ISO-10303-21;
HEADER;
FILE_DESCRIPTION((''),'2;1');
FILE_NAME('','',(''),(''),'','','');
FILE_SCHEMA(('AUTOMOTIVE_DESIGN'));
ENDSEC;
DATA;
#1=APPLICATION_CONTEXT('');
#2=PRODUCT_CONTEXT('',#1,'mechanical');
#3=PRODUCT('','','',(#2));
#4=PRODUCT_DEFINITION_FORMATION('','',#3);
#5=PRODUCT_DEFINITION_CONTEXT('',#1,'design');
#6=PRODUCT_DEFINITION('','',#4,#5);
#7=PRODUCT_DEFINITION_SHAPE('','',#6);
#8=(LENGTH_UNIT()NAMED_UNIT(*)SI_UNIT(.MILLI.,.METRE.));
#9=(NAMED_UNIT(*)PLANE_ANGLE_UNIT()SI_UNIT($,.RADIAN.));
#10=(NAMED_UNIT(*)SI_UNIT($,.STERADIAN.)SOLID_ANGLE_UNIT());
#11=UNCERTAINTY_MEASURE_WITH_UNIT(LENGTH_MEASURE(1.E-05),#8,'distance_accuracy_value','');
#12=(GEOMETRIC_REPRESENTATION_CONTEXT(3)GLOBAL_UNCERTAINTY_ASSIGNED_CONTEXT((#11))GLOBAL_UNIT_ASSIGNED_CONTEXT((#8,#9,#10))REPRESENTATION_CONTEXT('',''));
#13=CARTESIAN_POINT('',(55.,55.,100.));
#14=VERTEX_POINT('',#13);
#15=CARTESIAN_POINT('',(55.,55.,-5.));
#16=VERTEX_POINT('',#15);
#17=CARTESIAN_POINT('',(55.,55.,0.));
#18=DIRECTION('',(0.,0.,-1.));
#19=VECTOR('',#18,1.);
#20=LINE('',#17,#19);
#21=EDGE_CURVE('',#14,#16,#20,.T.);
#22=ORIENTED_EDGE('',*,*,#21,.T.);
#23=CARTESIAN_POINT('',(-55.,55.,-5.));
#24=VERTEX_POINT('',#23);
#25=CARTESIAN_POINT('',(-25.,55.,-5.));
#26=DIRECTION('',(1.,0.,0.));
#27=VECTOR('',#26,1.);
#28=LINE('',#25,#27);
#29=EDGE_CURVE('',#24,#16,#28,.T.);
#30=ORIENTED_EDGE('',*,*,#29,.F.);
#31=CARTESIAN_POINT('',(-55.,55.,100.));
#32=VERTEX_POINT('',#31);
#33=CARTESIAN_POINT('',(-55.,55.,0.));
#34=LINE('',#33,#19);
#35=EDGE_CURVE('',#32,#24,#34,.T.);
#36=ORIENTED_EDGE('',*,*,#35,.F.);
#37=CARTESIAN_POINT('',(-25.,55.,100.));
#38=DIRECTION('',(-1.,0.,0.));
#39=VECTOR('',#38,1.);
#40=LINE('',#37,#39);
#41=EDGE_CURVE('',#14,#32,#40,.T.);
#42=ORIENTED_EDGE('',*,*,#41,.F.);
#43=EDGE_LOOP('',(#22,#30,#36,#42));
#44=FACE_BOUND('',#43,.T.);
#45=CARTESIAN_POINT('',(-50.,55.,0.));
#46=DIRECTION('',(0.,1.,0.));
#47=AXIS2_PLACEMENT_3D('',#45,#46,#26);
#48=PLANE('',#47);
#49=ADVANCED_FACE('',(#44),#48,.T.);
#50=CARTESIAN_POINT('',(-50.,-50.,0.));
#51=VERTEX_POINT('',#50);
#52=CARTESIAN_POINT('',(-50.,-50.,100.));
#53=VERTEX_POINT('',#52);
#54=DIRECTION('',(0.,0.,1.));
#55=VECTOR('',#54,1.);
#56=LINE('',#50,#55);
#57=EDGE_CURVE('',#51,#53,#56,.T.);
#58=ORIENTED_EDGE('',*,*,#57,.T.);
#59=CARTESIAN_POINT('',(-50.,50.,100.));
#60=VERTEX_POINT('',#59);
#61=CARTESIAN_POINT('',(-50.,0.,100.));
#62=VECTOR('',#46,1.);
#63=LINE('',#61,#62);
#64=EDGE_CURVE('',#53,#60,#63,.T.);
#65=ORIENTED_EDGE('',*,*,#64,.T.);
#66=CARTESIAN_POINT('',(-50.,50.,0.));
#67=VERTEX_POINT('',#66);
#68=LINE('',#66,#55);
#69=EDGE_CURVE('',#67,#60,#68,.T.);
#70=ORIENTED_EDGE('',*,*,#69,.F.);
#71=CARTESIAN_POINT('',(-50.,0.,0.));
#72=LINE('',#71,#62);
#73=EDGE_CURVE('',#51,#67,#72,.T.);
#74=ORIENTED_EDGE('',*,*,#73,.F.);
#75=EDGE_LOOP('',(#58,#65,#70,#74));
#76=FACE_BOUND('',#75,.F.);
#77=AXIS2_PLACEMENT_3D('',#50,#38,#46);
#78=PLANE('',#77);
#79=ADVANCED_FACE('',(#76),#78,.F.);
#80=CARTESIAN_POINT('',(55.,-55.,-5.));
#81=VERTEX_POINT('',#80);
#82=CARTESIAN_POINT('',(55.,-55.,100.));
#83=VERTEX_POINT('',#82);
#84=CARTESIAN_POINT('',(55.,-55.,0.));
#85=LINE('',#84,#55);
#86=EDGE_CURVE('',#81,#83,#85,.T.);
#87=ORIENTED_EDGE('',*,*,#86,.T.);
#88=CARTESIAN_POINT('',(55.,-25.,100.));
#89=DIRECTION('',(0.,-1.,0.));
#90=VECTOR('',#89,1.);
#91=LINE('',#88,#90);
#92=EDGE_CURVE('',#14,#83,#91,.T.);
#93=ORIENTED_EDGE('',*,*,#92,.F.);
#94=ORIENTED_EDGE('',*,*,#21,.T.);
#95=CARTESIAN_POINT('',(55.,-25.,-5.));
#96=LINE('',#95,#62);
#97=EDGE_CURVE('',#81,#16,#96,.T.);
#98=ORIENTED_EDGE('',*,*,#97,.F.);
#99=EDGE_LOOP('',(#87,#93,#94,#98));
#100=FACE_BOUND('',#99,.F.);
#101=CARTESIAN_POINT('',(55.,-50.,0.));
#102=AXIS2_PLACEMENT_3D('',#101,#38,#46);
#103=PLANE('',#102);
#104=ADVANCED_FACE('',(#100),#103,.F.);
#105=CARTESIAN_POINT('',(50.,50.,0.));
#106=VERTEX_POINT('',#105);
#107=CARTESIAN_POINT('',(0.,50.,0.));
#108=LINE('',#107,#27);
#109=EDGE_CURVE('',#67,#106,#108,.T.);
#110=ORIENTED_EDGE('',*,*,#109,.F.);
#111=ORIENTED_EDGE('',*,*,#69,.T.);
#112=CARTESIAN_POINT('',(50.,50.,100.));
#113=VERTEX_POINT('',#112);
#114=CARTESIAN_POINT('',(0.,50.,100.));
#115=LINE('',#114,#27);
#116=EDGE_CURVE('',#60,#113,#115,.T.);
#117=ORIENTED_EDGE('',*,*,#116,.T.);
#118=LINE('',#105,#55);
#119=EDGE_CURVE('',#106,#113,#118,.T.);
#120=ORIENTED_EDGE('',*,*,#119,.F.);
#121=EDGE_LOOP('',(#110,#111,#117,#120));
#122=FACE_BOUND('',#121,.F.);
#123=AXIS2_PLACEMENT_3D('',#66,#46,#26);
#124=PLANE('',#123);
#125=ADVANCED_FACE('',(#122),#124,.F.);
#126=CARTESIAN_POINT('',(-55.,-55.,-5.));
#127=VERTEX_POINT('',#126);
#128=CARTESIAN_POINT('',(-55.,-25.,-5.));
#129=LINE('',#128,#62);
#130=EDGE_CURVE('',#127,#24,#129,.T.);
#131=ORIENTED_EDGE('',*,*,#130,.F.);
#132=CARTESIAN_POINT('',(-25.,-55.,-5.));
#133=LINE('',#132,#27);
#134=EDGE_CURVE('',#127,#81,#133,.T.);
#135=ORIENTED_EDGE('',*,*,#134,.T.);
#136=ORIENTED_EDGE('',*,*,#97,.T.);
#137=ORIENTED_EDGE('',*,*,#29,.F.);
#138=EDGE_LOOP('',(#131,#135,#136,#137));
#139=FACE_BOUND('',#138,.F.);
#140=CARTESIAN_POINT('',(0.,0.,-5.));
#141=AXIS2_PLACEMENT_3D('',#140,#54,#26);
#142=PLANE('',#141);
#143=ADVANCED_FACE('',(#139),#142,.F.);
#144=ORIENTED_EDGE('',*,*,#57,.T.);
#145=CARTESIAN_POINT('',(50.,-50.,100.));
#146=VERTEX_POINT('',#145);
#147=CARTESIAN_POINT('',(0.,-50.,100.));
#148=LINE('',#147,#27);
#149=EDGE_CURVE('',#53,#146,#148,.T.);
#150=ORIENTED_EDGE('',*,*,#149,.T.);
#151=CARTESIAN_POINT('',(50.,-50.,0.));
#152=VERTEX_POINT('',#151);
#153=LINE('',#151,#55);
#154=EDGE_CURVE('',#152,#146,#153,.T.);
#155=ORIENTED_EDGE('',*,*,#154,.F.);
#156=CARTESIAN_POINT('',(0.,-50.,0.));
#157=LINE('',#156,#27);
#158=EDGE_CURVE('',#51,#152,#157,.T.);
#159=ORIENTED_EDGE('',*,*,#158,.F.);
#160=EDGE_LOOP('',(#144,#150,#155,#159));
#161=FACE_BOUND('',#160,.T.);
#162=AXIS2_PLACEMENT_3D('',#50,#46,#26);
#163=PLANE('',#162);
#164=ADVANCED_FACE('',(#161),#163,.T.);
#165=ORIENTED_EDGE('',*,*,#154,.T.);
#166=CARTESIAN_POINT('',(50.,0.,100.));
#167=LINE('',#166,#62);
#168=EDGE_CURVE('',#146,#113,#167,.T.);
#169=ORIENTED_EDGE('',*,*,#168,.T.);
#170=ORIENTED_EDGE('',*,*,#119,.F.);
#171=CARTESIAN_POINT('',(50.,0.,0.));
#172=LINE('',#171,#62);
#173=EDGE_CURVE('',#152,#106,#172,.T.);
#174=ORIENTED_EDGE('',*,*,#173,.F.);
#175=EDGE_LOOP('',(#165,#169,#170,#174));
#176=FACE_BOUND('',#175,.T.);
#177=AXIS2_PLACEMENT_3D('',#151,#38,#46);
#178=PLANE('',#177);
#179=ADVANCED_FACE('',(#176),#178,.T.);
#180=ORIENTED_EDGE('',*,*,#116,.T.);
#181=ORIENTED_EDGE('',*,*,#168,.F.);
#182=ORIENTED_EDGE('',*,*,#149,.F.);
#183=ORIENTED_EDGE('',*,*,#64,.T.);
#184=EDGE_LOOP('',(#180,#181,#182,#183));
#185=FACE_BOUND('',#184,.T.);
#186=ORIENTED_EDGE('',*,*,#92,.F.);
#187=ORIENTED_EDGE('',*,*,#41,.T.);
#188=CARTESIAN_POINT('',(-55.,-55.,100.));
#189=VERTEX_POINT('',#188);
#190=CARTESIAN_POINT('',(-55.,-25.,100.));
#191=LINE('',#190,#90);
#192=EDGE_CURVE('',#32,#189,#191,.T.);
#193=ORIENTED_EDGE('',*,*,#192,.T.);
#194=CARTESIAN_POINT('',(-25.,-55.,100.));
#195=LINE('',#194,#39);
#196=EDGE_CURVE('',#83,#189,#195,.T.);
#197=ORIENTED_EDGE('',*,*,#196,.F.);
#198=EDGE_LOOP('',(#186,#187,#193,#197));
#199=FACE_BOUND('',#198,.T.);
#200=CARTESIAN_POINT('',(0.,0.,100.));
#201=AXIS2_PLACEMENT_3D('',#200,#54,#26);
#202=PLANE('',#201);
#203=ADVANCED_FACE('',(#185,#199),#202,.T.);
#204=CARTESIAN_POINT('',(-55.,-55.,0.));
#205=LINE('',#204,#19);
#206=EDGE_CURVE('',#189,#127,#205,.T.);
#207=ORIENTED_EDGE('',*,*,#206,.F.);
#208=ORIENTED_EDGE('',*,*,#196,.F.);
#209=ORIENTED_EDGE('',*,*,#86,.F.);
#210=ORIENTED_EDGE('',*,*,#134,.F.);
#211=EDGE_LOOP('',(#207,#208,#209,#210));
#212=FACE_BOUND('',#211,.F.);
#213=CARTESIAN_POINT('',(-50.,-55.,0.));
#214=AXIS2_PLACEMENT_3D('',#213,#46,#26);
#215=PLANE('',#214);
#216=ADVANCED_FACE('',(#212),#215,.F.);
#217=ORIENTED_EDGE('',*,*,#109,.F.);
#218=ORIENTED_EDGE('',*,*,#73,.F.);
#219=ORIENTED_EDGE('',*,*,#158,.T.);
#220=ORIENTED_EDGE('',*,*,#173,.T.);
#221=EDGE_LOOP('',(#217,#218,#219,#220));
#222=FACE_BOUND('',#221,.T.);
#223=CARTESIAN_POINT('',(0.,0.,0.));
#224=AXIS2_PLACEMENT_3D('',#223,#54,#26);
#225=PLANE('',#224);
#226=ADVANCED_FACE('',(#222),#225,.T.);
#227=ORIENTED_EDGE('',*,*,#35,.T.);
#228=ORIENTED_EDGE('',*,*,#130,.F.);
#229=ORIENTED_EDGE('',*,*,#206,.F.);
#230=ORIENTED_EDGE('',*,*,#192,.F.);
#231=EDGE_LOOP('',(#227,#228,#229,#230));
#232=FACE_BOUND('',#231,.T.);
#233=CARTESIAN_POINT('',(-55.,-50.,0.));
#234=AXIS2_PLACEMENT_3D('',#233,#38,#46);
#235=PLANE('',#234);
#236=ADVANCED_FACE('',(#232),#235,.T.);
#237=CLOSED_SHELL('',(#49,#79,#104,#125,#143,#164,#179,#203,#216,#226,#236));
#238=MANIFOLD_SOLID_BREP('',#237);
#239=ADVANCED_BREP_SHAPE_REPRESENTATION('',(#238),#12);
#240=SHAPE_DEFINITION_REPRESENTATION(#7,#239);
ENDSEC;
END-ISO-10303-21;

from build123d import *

# Parameters (mm, degrees)
F0_W     = 100
F0_H     = 100
F1_DEPTH = 100
F2_T     = 5


with BuildPart() as f1:
    # F0 (on Top) → F1 (new body)
    with BuildSketch(Plane.XY):
        Rectangle(F0_W, F0_H)
    extrude(amount=F1_DEPTH)

    # F2
    f2_openings = [f1.faces().sort_by_distance(p)[0] for p in [
        (0, 0, 100),
    ]]
    offset(amount=F2_T, openings=f2_openings, kind=Kind.INTERSECTION)


solid = f1.part
